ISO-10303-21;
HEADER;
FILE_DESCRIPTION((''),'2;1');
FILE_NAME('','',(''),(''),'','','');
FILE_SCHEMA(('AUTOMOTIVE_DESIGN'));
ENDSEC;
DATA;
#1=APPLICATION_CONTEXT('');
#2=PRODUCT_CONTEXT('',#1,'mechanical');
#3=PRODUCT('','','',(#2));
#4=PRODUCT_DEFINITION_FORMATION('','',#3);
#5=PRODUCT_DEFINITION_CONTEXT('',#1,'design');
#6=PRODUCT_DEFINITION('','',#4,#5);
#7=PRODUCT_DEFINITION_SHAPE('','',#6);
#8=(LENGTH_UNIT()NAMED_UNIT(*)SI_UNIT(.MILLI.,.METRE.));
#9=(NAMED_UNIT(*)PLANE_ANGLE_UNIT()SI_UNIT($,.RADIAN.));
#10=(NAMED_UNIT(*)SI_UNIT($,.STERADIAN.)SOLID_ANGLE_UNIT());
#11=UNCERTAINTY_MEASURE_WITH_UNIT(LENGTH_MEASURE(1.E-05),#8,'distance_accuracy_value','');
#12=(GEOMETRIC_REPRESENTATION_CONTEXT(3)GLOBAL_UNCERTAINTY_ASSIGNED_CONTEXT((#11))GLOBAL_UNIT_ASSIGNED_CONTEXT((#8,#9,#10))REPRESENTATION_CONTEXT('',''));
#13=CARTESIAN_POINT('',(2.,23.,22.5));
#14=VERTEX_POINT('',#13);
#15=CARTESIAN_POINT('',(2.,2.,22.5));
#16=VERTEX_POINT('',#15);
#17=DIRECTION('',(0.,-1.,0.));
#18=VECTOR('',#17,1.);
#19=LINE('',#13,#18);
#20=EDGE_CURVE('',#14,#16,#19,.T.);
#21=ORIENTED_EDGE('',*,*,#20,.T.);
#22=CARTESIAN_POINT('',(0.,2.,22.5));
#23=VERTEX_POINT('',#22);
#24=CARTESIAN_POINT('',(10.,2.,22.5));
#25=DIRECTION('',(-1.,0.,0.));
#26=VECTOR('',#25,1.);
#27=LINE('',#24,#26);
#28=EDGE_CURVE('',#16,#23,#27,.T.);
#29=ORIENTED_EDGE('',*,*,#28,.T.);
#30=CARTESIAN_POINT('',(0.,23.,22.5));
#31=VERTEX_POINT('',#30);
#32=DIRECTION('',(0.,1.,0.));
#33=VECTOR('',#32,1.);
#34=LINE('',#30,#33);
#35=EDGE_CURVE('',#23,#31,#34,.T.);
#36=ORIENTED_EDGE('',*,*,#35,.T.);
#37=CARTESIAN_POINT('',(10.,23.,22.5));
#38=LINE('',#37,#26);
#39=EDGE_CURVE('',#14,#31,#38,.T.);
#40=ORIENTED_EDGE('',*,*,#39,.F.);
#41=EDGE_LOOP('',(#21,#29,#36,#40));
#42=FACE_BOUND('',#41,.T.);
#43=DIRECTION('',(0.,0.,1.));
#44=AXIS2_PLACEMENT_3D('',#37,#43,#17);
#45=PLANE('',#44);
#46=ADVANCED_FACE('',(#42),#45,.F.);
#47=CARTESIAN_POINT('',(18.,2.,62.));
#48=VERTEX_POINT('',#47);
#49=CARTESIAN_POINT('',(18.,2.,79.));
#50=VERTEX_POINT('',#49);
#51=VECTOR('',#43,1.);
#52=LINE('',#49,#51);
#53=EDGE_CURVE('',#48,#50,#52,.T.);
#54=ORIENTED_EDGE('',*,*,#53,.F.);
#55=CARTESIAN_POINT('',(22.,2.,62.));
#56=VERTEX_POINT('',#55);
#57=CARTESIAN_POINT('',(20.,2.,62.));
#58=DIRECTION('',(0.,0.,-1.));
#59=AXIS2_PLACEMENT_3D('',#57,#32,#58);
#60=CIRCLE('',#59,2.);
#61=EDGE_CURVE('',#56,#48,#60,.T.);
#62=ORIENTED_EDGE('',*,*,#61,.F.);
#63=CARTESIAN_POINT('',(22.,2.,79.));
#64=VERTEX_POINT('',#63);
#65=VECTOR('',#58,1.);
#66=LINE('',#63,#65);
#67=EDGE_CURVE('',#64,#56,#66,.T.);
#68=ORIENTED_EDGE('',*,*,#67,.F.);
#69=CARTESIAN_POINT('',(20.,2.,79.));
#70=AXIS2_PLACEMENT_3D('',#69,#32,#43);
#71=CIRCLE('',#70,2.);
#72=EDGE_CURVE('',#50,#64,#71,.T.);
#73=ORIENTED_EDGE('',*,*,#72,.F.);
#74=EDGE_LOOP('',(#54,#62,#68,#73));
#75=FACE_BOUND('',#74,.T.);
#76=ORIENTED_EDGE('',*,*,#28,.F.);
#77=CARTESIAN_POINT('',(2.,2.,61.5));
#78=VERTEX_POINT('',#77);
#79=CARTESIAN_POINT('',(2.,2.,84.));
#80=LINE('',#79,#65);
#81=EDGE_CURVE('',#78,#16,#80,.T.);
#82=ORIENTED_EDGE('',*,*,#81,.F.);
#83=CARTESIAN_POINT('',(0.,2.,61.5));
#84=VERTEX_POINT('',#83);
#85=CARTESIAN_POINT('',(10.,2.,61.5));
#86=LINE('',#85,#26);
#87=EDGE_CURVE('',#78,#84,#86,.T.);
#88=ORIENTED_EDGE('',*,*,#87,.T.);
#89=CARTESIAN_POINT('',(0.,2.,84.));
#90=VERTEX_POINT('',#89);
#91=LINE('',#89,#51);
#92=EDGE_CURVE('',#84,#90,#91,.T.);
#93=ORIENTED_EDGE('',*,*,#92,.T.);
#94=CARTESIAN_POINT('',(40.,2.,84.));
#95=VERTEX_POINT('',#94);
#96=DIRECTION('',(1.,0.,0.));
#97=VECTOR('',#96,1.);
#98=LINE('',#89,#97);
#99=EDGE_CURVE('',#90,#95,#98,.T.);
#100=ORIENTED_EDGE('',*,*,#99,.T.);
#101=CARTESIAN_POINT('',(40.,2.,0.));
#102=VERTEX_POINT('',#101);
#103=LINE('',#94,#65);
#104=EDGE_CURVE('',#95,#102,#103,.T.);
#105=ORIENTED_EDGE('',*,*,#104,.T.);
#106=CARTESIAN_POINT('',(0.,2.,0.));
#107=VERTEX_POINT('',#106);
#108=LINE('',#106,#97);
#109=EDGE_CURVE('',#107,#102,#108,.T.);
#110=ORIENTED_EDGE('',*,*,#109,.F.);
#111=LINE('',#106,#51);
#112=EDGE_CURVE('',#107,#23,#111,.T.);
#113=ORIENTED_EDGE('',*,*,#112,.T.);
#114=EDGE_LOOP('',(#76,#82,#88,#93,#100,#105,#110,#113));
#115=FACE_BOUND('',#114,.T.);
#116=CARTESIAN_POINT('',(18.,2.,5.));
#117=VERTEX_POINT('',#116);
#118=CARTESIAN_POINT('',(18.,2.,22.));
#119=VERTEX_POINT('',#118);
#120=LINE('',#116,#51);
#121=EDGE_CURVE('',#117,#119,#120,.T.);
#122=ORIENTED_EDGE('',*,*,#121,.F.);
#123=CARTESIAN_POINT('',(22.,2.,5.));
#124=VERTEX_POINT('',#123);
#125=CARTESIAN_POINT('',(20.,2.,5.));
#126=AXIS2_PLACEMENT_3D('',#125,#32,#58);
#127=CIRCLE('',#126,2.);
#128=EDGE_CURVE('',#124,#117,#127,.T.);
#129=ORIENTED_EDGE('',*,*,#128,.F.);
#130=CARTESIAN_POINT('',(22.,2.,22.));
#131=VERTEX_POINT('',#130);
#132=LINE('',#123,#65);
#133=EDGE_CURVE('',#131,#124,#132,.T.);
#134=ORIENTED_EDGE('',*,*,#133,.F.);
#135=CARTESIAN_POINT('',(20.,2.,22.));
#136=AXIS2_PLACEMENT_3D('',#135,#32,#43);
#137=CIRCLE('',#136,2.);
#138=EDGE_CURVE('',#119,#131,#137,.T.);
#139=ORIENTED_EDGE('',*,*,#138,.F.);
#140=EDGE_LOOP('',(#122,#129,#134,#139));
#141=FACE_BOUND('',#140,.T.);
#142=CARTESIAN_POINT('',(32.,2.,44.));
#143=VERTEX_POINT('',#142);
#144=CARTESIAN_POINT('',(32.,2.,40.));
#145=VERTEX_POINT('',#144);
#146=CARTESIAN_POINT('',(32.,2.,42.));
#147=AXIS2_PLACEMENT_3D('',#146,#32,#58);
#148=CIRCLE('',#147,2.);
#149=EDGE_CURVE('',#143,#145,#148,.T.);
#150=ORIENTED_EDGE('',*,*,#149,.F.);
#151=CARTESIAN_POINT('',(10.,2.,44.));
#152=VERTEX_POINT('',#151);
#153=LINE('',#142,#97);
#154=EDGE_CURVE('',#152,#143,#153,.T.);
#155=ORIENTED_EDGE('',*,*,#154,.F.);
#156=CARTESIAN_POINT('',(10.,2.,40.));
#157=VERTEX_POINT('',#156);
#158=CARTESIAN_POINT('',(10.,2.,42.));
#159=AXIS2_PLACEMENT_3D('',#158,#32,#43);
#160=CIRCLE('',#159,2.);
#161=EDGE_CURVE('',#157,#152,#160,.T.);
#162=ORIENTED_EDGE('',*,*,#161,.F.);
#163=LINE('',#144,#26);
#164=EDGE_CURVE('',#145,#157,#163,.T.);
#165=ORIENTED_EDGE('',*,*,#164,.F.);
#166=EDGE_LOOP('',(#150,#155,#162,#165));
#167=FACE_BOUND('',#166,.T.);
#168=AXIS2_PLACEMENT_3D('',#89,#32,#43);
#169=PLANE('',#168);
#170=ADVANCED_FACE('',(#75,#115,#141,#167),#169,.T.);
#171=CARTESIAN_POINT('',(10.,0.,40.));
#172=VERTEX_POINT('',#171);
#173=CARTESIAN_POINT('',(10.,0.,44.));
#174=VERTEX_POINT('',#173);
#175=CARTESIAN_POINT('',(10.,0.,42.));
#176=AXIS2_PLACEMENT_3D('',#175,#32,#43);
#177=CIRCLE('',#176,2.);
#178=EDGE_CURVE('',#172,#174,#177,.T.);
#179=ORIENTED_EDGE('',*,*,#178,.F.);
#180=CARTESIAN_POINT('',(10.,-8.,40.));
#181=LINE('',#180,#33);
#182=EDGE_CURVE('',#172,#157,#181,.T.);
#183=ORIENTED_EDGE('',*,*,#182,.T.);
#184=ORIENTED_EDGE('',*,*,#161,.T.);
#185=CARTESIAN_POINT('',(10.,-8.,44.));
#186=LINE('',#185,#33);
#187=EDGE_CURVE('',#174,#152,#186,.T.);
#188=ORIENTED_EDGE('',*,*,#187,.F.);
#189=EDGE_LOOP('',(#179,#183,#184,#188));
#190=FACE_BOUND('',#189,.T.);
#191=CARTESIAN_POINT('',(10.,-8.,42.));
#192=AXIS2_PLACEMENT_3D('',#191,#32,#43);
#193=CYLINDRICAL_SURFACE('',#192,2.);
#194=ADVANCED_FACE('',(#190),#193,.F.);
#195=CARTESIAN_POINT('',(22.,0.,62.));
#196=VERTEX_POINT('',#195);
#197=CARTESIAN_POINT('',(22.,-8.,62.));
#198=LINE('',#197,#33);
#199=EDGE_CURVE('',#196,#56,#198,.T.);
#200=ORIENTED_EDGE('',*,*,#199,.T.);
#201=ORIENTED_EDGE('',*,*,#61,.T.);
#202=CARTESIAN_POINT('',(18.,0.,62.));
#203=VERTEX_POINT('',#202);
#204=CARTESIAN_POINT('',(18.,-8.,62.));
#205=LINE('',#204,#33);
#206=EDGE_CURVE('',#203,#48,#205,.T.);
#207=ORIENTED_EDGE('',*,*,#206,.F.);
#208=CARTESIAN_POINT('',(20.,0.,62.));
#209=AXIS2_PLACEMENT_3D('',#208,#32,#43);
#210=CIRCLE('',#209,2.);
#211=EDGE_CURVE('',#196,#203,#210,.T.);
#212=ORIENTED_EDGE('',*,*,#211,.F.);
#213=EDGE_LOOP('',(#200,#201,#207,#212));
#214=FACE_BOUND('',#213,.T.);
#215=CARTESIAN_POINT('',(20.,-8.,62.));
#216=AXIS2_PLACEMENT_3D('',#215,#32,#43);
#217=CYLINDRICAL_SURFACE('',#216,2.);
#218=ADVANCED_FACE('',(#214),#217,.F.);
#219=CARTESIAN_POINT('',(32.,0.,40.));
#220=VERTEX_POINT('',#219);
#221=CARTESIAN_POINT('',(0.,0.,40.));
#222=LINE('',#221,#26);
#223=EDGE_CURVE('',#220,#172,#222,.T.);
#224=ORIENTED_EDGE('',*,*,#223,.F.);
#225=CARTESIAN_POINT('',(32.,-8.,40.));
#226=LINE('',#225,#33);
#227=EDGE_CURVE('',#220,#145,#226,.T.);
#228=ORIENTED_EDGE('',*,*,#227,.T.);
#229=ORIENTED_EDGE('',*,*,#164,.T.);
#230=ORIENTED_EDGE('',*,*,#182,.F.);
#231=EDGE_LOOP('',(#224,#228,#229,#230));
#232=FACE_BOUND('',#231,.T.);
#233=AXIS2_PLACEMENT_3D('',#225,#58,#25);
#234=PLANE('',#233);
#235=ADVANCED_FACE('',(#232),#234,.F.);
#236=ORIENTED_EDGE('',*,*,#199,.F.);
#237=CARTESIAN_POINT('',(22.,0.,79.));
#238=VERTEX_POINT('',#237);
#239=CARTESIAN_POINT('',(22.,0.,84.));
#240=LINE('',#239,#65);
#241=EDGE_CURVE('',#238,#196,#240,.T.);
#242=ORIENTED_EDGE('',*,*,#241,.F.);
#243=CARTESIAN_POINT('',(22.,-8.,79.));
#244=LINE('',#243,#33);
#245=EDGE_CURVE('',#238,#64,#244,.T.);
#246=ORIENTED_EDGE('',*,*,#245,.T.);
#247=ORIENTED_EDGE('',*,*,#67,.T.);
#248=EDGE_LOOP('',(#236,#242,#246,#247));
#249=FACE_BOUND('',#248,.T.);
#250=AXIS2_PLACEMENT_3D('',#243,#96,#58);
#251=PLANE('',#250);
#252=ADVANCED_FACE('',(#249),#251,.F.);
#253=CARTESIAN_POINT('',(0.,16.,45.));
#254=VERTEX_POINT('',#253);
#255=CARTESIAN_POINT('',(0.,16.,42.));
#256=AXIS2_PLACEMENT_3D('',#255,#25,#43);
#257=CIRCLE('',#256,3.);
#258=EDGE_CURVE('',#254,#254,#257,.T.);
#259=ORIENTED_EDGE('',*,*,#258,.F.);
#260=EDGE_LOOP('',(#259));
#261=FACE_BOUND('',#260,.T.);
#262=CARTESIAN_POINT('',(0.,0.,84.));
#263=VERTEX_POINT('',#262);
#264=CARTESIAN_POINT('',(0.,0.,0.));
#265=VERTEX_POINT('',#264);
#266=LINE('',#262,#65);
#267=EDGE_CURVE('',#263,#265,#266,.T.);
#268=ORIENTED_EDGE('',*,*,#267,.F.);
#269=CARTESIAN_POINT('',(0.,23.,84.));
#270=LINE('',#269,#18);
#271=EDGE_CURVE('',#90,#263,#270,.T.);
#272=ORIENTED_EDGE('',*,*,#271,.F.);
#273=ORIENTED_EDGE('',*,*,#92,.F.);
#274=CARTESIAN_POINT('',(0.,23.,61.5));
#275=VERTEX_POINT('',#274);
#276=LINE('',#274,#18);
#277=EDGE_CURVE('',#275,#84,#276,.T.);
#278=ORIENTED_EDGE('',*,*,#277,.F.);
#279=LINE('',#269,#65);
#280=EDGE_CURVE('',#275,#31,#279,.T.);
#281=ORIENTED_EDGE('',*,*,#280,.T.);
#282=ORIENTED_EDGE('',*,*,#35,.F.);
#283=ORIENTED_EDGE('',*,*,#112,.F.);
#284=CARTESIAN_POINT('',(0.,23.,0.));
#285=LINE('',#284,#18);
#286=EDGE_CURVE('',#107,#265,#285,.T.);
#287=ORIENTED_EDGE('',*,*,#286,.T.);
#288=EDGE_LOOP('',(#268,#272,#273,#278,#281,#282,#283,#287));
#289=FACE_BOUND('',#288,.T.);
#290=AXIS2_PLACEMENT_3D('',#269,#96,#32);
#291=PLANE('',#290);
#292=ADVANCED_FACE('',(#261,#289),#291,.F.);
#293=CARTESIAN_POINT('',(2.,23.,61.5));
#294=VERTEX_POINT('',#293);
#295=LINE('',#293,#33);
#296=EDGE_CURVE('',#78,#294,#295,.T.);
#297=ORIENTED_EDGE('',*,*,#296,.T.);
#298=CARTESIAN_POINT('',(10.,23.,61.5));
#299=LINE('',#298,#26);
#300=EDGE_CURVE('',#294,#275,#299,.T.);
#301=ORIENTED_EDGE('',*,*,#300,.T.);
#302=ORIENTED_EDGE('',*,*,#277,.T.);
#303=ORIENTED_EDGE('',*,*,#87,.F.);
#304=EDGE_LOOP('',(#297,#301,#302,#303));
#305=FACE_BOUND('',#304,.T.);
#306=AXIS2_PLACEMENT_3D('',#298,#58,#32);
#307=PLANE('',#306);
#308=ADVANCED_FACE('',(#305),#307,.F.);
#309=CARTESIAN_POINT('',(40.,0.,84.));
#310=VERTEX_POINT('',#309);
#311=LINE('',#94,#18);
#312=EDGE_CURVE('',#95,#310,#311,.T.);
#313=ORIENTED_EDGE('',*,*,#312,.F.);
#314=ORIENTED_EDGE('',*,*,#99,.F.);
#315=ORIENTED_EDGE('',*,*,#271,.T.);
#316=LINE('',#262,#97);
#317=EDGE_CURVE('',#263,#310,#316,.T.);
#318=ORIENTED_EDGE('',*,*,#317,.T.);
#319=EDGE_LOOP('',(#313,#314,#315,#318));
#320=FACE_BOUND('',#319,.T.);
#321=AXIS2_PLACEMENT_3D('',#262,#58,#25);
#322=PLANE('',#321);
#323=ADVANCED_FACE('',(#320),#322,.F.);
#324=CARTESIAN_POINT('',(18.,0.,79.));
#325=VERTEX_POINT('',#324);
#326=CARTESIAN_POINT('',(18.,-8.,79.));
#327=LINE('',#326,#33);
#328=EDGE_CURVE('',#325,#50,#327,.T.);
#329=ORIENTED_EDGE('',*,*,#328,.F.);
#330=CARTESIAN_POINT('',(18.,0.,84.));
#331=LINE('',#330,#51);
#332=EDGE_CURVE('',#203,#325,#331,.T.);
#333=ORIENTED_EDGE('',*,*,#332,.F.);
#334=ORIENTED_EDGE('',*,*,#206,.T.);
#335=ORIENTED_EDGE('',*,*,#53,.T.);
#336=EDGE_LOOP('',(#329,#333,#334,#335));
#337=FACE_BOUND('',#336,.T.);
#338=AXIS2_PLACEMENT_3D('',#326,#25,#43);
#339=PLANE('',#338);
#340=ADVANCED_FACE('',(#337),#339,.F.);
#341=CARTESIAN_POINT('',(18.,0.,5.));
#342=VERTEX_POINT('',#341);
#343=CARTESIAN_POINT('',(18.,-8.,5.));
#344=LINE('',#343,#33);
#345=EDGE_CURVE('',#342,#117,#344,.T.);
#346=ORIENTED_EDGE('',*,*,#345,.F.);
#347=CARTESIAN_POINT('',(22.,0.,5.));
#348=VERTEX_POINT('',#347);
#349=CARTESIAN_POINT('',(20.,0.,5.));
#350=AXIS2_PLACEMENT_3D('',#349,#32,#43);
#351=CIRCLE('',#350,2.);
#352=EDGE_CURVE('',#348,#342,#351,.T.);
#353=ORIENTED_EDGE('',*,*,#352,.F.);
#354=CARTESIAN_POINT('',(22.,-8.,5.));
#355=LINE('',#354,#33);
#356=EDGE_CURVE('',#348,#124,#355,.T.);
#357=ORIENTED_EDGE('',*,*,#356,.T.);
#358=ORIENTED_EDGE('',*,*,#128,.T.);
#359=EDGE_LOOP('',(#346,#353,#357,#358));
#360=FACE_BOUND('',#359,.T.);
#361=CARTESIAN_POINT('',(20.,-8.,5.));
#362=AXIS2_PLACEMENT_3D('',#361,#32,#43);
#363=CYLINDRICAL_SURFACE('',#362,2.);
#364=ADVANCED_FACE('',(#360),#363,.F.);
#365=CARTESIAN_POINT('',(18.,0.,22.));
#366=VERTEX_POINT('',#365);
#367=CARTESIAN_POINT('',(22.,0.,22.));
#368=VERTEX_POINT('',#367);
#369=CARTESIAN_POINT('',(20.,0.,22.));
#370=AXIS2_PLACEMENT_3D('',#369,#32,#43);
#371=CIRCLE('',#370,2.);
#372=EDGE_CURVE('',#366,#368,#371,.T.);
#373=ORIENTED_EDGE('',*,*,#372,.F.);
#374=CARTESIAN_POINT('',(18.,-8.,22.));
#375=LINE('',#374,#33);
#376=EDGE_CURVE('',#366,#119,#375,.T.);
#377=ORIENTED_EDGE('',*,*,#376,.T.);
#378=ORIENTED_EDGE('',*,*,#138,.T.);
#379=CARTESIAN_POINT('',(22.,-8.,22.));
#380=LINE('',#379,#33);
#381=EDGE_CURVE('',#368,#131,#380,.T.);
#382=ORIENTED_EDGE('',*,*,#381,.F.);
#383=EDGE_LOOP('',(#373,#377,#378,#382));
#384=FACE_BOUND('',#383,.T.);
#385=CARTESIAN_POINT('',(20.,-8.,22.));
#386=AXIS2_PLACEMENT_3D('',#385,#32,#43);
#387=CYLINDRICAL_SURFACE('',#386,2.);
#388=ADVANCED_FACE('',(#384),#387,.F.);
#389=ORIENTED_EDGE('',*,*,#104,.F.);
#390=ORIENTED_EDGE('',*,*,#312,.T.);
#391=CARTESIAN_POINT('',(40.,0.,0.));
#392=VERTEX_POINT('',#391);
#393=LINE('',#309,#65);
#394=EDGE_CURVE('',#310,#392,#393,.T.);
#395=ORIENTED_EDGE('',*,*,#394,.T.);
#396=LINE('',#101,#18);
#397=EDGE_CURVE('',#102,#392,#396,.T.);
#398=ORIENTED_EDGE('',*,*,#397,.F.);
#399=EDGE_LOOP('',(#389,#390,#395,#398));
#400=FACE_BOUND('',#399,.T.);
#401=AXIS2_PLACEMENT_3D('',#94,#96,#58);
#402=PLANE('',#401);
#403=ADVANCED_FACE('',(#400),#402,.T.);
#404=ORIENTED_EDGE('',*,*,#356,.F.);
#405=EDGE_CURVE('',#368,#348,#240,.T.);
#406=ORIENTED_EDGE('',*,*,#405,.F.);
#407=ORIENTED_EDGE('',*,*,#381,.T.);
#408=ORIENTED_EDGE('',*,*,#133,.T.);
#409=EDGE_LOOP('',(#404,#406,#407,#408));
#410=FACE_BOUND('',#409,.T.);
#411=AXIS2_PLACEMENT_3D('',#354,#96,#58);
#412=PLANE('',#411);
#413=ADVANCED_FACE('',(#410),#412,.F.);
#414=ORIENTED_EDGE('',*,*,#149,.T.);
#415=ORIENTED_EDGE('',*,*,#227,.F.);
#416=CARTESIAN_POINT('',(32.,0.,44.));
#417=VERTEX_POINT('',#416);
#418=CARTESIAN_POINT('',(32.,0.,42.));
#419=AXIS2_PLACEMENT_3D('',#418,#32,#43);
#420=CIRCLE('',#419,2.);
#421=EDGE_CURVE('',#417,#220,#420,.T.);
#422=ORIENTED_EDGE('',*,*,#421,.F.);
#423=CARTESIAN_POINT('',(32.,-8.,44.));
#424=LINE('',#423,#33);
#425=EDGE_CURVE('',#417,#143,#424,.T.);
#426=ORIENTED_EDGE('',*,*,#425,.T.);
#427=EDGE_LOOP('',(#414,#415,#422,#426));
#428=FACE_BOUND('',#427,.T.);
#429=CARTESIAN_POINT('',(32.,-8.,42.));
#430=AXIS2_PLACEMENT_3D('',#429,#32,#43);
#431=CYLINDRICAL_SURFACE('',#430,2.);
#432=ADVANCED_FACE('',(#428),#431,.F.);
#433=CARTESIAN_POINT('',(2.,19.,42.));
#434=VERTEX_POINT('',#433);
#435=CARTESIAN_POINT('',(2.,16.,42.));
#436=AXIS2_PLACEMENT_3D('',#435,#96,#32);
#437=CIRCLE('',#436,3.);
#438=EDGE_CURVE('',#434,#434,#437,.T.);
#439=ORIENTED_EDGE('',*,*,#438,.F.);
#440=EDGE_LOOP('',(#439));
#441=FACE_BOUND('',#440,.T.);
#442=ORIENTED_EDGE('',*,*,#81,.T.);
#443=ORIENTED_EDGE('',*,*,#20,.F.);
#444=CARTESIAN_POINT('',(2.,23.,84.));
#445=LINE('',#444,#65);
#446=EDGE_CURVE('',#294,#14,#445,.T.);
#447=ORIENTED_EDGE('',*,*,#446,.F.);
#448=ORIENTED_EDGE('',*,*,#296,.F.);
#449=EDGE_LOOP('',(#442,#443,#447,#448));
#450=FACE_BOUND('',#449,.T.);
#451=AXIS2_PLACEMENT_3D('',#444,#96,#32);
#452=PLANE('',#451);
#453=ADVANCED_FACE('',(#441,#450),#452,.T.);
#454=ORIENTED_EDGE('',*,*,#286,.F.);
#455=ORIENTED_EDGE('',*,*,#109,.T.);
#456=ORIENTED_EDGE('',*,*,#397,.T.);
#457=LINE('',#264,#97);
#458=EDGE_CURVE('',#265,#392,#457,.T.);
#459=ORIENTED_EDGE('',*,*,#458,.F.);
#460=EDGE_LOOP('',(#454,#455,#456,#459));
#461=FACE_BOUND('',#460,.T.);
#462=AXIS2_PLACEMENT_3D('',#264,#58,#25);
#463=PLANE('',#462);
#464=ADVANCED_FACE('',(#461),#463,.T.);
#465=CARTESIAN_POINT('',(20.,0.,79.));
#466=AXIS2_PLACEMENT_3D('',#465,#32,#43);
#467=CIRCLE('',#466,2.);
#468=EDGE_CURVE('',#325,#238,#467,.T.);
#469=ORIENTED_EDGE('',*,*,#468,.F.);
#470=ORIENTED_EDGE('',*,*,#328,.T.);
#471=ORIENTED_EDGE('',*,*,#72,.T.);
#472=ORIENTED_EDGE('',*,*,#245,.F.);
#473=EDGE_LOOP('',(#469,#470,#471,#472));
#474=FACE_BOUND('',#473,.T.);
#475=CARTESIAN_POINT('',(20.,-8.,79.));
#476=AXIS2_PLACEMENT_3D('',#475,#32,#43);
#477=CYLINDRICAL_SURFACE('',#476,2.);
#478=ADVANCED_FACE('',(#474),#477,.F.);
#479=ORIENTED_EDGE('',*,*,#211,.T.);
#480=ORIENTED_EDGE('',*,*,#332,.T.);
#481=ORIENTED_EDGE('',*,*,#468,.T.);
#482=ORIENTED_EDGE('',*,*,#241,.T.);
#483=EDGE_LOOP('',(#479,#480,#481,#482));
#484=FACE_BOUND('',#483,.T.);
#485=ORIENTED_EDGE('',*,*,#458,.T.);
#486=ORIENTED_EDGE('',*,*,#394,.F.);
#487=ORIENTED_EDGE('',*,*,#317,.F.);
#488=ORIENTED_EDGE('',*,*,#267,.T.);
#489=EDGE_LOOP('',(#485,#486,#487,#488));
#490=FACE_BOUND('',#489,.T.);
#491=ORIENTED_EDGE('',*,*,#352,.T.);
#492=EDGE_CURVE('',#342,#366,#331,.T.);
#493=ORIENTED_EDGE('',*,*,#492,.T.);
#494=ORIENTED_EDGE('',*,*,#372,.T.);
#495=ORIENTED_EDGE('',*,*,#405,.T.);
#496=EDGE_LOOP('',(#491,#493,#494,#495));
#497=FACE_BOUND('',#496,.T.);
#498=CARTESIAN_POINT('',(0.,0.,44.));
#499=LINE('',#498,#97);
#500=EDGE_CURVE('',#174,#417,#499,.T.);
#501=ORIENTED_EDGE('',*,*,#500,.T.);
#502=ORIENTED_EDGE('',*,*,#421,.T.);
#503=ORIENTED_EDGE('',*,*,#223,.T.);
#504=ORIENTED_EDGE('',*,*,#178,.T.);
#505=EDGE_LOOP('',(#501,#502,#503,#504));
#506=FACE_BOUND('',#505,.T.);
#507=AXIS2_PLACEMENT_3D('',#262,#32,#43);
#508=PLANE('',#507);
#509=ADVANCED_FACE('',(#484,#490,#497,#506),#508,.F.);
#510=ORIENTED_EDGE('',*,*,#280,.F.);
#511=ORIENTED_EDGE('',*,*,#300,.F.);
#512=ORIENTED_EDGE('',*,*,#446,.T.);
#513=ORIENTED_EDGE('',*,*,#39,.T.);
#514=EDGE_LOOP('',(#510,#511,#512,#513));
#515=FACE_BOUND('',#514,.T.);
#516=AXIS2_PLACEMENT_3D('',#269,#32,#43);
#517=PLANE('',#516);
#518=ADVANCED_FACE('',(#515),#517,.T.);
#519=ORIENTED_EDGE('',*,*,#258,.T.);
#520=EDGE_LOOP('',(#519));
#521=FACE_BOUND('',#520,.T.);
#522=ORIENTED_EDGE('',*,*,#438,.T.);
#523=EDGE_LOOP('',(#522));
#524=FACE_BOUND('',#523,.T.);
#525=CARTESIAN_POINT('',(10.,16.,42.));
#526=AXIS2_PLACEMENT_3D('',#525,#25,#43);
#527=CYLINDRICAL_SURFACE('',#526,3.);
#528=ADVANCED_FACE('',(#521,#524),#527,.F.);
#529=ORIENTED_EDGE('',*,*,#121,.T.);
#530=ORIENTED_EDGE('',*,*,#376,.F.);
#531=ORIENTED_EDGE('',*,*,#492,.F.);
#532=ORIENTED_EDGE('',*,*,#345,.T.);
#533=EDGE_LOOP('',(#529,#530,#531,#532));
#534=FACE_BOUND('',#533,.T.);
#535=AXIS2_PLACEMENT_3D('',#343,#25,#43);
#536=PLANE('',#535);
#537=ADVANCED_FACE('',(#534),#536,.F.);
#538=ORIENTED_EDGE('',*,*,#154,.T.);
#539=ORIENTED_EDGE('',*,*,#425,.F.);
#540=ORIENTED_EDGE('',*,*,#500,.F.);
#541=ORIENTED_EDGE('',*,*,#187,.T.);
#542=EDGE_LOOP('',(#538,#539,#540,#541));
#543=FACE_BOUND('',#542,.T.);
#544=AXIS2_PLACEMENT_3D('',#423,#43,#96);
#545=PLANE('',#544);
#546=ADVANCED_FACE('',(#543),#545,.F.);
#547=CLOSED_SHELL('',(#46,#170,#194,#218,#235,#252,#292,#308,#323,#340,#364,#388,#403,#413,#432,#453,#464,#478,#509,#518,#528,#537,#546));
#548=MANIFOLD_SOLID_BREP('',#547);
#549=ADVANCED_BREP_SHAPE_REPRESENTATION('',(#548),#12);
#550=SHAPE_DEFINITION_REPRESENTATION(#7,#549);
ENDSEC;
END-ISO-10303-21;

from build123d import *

# Parameters (mm, degrees)
EXTRUDE_1_DEPTH     = 84
CUT_EXTRUDE_1_DEPTH = 10
SKETCH_4_R          = 3
CUT_EXTRUDE_2_DEPTH = 10
SKETCH_5_W          = 22.5
SKETCH_5_H          = 21
CUT_EXTRUDE_3_DEPTH = 10


with BuildPart() as part:
    # Эскиз2 → Вытянуть-Тонкостенный1 (new body)
    with BuildSketch(Plane.XY):
        Polygon((0, 23), (0, 0), (40, 0), (40, 2), (2, 2), (2, 23), align=None)
    extrude(amount=EXTRUDE_1_DEPTH)

    # Эскиз3 → Вырез-Вытянуть1 (cut)
    with BuildSketch(Plane(origin=(0, 2, 0), x_dir=(1, 0, 0), z_dir=(0, 1, 0))):
        with BuildLine():
            Line((32, -40), (10, -40))
            ThreePointArc((10, -40), (8, -42), (10, -44))
            Line((10, -44), (32, -44))
            ThreePointArc((32, -44), (34, -42), (32, -40))
        make_face()
        with BuildLine():
            Line((18, -5), (18, -22))
            ThreePointArc((18, -22), (20, -24), (22, -22))
            Line((22, -22), (22, -5))
            ThreePointArc((22, -5), (20, -3), (18, -5))
        make_face()
        with BuildLine():
            Line((22, -79), (22, -62))
            ThreePointArc((22, -62), (20, -60), (18, -62))
            Line((18, -62), (18, -79))
            ThreePointArc((18, -79), (20, -81), (22, -79))
        make_face()
    extrude(amount=-CUT_EXTRUDE_1_DEPTH, mode=Mode.SUBTRACT)

    # Эскиз4 → Вырез-Вытянуть2 (cut)
    with BuildSketch(Plane.ZY):
        with Locations((42, 16)):
            Circle(SKETCH_4_R)
    extrude(amount=-CUT_EXTRUDE_2_DEPTH, mode=Mode.SUBTRACT)

    # Эскиз5 → Вырез-Вытянуть3 (cut)
    with BuildSketch(Plane.ZY):
        with Locations((11.25, 12.5)):
            Rectangle(SKETCH_5_W, SKETCH_5_H)
        with Locations((72.75, 12.5)):
            Rectangle(SKETCH_5_W, SKETCH_5_H)
    extrude(amount=-CUT_EXTRUDE_3_DEPTH, mode=Mode.SUBTRACT)


solid = part.part
